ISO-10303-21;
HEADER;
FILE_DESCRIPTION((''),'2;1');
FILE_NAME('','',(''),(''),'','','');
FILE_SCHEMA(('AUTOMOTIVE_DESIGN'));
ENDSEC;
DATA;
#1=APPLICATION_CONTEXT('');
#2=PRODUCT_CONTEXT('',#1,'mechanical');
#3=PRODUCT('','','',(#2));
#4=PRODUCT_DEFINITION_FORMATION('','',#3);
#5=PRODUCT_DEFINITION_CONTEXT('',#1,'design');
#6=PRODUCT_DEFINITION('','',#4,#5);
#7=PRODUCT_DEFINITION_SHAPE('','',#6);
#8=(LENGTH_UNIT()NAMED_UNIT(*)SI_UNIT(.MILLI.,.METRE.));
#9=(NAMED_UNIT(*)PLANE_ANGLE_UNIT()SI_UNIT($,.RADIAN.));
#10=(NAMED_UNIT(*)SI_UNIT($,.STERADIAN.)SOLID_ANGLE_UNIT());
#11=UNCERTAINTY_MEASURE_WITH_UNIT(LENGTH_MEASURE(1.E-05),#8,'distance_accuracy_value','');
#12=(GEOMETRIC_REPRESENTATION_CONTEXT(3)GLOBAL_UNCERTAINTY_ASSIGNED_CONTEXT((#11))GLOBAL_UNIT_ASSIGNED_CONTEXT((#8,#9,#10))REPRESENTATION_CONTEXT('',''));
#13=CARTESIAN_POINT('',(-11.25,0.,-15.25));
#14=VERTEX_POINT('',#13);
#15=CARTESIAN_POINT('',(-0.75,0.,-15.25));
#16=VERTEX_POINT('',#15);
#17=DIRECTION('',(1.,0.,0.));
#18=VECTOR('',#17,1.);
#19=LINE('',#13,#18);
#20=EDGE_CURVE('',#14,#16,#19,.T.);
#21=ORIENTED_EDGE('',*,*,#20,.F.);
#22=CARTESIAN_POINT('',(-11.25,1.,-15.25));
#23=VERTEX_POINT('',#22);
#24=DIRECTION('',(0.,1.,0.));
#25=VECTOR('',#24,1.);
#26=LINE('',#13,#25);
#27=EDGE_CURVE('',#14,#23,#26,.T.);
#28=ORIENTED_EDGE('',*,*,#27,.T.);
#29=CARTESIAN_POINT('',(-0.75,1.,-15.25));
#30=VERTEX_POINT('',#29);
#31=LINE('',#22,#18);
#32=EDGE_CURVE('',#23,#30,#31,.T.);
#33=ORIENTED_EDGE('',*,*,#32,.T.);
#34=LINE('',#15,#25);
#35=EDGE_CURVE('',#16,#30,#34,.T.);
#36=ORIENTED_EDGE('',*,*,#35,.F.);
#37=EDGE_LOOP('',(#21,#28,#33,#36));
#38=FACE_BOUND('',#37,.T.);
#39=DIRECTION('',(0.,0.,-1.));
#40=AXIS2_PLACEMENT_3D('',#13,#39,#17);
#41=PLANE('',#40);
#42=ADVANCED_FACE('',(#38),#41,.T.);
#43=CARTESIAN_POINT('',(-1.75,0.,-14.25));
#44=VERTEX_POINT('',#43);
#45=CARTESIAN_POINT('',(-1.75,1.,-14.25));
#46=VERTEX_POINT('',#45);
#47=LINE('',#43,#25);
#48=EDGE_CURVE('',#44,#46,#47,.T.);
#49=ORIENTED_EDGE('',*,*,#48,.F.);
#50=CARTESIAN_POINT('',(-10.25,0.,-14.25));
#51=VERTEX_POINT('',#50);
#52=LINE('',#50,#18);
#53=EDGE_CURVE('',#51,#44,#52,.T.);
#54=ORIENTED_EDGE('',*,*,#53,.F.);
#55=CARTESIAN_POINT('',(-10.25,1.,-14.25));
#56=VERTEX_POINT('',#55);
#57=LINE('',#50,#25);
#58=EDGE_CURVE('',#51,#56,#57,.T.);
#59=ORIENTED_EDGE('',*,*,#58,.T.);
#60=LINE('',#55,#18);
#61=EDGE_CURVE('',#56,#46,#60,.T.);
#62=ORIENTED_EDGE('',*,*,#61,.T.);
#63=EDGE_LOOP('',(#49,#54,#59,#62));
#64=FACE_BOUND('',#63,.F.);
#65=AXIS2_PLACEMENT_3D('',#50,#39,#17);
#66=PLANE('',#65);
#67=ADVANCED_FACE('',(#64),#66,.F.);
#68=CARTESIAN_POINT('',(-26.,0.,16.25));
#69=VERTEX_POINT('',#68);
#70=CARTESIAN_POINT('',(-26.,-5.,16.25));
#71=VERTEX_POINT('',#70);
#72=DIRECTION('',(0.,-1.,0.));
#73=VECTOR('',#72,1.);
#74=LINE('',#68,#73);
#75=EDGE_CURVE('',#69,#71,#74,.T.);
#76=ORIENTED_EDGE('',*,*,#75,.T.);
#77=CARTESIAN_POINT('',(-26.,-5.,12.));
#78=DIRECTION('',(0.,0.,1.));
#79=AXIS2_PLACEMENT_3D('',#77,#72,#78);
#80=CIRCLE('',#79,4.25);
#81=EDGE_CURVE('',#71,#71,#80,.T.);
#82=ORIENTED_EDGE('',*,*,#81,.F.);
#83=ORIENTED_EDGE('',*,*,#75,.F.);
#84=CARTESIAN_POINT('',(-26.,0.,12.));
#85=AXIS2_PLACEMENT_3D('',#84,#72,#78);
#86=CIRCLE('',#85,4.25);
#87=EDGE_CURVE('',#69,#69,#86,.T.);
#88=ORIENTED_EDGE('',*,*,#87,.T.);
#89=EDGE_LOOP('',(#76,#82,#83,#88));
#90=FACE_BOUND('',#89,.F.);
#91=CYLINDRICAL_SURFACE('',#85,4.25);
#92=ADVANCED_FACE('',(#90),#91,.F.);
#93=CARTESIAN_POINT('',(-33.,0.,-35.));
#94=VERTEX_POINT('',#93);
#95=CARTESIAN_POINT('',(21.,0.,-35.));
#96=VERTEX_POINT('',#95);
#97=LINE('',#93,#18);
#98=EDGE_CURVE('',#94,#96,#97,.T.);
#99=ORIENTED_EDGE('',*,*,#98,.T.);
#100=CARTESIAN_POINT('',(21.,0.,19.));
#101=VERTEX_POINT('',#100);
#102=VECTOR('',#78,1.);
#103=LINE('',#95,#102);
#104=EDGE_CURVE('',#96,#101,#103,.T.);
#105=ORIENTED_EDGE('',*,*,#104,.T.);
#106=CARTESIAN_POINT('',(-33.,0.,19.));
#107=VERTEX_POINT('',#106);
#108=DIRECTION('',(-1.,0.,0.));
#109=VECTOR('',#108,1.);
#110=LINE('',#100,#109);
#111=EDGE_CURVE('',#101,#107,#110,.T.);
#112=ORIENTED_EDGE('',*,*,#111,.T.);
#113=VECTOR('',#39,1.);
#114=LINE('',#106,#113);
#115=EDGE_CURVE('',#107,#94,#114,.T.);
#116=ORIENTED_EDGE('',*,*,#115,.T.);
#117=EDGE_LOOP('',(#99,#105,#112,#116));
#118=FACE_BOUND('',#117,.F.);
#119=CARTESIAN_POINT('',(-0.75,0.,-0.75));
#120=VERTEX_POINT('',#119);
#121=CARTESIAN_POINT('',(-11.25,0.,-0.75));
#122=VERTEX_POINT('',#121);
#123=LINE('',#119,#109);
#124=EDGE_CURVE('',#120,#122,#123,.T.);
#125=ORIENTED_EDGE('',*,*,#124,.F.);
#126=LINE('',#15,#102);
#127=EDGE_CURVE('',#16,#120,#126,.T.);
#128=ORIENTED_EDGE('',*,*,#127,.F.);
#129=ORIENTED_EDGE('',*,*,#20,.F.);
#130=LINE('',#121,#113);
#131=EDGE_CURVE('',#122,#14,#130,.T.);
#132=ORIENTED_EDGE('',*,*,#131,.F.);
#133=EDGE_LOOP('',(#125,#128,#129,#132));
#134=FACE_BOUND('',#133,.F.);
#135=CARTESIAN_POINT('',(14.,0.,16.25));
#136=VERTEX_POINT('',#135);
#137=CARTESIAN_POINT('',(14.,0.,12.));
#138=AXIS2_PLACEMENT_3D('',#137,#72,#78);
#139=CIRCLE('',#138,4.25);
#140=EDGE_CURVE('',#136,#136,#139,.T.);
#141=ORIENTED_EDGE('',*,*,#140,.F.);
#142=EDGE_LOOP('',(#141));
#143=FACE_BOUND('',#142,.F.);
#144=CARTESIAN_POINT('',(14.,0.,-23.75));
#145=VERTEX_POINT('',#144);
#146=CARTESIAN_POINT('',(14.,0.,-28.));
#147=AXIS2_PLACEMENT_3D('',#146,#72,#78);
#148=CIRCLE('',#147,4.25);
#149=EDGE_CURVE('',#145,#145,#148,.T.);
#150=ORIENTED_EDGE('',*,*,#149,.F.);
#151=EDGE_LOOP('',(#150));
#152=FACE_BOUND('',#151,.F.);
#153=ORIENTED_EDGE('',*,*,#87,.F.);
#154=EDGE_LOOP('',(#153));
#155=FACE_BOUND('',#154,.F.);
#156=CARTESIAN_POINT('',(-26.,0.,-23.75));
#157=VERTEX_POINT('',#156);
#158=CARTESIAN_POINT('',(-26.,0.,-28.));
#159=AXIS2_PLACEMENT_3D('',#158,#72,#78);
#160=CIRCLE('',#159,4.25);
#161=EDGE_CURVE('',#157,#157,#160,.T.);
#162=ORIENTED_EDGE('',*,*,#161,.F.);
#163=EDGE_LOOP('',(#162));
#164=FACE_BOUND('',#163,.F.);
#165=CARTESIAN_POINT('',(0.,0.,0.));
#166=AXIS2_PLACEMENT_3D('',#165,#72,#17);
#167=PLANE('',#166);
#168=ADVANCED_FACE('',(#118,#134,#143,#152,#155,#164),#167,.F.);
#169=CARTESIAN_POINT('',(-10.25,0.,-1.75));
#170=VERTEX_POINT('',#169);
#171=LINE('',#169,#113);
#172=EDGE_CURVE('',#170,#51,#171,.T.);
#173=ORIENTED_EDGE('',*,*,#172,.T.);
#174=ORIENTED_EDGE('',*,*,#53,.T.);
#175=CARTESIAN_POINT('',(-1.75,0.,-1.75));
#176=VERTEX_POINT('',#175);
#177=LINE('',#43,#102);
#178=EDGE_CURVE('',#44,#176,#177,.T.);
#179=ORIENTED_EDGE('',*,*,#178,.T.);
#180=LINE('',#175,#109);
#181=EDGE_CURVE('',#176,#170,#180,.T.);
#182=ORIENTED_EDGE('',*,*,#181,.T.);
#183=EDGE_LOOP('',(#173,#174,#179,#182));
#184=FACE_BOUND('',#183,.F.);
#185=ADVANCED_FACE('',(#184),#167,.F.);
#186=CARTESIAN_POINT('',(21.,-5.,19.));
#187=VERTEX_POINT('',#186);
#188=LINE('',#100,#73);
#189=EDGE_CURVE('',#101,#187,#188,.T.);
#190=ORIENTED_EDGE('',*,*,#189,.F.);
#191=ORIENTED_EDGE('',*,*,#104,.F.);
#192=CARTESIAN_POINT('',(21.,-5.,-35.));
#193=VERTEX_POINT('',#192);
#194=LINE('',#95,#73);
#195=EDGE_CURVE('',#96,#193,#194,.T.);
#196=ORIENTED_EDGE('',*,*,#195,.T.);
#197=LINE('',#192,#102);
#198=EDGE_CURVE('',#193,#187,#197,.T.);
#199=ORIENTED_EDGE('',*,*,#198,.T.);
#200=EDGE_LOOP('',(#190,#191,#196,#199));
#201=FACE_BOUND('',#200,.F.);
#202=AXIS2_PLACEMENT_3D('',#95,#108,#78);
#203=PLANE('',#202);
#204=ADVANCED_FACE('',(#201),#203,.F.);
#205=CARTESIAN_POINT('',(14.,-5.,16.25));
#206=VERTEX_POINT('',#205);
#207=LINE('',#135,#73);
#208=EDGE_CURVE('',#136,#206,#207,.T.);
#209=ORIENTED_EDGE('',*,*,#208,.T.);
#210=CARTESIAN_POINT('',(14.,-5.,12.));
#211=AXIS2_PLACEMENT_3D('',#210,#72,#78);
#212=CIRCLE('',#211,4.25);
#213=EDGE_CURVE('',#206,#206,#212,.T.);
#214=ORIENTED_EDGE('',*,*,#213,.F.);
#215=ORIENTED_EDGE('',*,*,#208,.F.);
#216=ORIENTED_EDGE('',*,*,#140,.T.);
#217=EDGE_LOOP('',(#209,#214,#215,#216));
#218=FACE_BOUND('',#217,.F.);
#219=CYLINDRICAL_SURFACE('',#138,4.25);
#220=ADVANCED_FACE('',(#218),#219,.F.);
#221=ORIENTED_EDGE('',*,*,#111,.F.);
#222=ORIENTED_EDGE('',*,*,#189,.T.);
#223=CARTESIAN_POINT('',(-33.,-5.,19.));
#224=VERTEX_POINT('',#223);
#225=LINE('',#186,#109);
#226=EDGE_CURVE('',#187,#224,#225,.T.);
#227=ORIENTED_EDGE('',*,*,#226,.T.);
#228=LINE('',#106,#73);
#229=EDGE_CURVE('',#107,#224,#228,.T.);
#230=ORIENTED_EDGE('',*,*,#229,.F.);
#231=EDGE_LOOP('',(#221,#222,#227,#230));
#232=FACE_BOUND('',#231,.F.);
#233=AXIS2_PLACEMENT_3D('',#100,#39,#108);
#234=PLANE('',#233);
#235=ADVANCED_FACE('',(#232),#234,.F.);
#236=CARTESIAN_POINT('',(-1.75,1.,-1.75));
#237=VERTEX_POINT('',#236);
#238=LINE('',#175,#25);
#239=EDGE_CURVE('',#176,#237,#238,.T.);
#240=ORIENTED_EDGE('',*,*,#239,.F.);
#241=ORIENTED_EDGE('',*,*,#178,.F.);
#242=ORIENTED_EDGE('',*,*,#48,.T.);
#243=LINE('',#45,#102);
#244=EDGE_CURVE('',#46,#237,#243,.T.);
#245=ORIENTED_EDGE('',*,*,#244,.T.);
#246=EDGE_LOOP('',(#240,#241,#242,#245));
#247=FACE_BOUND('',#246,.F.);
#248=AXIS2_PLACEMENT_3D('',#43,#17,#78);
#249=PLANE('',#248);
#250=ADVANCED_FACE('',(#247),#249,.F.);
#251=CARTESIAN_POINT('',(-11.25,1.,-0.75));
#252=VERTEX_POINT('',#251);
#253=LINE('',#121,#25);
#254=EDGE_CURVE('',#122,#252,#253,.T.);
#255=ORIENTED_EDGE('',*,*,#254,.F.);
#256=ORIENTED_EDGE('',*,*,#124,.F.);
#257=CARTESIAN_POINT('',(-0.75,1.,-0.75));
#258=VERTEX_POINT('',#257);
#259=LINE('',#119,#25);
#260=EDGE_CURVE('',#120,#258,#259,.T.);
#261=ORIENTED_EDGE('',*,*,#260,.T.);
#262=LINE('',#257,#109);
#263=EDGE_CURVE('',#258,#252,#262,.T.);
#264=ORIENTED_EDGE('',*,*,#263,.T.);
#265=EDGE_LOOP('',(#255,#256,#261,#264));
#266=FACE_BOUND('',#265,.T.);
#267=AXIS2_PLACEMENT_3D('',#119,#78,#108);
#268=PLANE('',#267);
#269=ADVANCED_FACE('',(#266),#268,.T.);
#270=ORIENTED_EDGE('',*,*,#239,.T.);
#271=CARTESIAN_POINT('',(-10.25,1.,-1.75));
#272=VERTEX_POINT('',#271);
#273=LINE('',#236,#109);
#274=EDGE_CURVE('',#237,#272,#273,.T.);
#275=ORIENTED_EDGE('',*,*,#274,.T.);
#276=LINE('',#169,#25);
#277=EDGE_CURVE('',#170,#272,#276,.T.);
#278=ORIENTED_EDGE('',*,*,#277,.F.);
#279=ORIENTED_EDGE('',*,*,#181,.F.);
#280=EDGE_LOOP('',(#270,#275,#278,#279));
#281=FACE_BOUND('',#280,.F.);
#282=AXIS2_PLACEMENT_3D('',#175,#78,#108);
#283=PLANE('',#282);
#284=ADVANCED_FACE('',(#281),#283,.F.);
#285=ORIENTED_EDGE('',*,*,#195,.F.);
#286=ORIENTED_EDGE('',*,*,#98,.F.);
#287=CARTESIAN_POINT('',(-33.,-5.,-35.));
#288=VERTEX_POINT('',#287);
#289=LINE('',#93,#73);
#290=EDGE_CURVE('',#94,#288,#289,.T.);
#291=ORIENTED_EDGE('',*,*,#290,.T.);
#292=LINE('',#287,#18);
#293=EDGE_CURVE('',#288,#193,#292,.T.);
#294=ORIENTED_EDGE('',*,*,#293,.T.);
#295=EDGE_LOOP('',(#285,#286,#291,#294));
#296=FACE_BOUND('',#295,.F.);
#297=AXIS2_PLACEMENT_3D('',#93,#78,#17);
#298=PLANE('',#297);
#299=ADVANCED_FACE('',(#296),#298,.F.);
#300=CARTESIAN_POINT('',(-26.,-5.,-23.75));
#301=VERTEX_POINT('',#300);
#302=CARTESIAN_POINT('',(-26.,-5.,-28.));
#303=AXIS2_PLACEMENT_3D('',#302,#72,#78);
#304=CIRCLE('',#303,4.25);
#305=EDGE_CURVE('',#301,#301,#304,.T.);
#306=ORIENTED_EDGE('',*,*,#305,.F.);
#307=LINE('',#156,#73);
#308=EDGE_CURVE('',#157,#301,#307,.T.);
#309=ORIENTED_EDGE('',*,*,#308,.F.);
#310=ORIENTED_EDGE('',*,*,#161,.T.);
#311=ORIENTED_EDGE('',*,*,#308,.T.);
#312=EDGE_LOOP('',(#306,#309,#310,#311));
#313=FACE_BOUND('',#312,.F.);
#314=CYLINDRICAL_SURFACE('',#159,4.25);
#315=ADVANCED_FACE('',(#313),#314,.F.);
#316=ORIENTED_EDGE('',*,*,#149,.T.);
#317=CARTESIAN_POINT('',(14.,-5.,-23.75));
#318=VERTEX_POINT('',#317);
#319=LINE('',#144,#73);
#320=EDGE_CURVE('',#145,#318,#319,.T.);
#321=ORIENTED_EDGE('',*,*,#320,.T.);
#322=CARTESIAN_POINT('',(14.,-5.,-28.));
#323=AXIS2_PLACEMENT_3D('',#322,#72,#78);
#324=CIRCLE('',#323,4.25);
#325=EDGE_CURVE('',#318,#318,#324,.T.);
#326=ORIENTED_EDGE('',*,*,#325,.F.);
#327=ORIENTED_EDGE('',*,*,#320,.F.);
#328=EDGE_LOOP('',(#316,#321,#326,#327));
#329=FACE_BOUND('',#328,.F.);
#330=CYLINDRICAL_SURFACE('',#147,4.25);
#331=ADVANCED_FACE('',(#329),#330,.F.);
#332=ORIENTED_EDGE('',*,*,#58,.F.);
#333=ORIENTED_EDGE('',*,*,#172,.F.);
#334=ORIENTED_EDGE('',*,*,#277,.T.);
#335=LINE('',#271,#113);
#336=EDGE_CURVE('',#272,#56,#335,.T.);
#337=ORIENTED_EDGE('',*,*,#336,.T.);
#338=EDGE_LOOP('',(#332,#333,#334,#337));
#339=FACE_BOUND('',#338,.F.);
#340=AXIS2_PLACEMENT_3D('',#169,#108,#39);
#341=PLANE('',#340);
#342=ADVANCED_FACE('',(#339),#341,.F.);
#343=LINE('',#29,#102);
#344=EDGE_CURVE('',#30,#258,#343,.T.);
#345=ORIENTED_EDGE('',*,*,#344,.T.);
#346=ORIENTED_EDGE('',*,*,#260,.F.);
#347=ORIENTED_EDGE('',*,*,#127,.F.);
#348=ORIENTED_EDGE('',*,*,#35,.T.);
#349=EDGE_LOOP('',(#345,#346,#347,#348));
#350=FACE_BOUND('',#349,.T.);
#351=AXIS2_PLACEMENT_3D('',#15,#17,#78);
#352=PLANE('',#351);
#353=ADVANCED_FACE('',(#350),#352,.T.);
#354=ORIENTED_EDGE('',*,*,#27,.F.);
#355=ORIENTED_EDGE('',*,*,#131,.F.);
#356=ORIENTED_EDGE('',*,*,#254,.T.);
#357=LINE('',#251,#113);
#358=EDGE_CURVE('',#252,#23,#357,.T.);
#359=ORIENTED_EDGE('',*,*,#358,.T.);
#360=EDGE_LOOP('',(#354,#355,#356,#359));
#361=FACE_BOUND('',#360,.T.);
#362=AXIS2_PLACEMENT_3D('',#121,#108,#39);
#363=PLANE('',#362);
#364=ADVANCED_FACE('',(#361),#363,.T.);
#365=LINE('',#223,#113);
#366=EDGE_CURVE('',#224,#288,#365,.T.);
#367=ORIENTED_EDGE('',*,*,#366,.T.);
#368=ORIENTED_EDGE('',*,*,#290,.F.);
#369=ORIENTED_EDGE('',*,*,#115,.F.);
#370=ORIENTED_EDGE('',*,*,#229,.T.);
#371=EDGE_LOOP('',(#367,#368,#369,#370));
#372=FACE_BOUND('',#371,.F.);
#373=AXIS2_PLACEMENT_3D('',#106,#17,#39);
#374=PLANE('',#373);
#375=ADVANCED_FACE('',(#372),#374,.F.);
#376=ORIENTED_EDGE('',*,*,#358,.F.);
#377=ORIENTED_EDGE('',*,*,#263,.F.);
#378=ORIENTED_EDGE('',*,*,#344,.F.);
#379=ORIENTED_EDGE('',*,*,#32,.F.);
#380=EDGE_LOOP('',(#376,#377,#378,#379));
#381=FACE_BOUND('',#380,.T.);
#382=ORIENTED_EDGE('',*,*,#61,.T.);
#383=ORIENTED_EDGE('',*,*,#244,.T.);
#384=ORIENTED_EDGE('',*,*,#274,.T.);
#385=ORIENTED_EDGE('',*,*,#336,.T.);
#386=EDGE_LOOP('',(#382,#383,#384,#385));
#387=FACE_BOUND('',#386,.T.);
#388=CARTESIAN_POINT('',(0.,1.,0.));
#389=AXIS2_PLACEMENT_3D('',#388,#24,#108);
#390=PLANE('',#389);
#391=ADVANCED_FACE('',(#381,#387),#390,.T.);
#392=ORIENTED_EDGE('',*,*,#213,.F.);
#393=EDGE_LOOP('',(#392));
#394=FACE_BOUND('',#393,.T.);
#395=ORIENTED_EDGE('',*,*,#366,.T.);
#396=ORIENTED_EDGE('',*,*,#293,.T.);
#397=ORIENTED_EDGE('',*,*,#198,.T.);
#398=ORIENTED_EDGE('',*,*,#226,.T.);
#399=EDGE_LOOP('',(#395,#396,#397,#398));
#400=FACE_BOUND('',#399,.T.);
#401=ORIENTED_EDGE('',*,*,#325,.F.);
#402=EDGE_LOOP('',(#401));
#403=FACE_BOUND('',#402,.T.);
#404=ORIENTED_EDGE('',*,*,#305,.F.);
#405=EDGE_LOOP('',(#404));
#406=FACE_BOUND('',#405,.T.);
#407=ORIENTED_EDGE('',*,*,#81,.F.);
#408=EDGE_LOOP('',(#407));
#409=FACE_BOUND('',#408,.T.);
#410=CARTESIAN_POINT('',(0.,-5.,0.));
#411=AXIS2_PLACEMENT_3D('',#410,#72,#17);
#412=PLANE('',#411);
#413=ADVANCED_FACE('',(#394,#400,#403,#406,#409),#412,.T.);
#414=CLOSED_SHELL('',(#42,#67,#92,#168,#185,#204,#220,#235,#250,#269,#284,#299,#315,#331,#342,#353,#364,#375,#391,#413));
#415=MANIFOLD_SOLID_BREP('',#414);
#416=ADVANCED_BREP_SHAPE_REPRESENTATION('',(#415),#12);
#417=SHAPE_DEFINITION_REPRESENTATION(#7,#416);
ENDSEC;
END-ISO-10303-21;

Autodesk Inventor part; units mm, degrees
ref_plane "YZ Plane" through (0, 0, 0) normal (1, 0, 0) x (0, 1, 0)
ref_plane "XZ Plane" through (0, 0, 0) normal (0, 1, 0) x (-1, 0, 0)
ref_plane "XY Plane" through (0, 0, 0) normal (0, 0, 1) x (1, 0, 0)
sketch "Skizze1" plane through (0, 0, 0) normal (0, 1, 0) x (-1, 0, 0)
  line L0 (0, 0) -> (12, 0)
  line L1 (12, 0) -> (12, -16)
  line L2 (12, -16) -> (0, -16)
  line L3 (0, -16) -> (0, 0)
  line L4 (-5, 5) -> (17, 5)
  line L5 (17, 5) -> (17, -21)
  line L6 (17, -21) -> (-5, -21)
  line L7 (-5, -21) -> (-5, 5)
  line L8 (-1, 1) -> (13, 1)
  line L9 (13, 1) -> (13, -17)
  line L10 (13, -17) -> (-1, -17)
  line L11 (-1, -17) -> (-1, 1)
  line L12 (1.75, -1.75) -> (10.25, -1.75)
  line L13 (10.25, -1.75) -> (10.25, -14.25)
  line L14 (10.25, -14.25) -> (1.75, -14.25)
  line L15 (1.75, -14.25) -> (1.75, -1.75)
  line L16 (0.75, -0.75) -> (11.25, -0.75)
  line L17 (11.25, -0.75) -> (11.25, -15.25)
  line L18 (11.25, -15.25) -> (0.75, -15.25)
  line L19 (0.75, -15.25) -> (0.75, -0.75)
  point P0 (6, 0)
  point P1 (6, 5)
  point P2 (6, -16)
  point P3 (12, -8)
  point P4 (6, -1.75)
  point P5 (6, -14.25)
  point P6 (10.25, -8)
  point P7 (1.75, -8)
  dimension "d0" = 16
  dimension "d1" = 12
  dimension "d2" = 5
  dimension "d3" = 5
  dimension "d5" = 5
  dimension "d6" = 5
  dimension "d56" = 1
  dimension "d57" = 1
  dimension "d58" = 1
  dimension "d60" = 1.75
  dimension "d61" = 1.75
  dimension "d63" = 8.5
  dimension "d64" = 1
  dimension "d65" = 1
  dimension "d67" = 1
  dimension "d69" = 12.5
  dimension "d70" = 1
  dimension "d71" = 1.75
  dimension "d72" = 1.75
extrude "Extrusion1" add sketch "Skizze1" along normal blind 1 contours L16 L17 L18 L19
sketch "Skizze2" plane through (0, 0, 0) normal (0, -1, 0) x (1, 0, 0)
  line L0 (21, 19) -> (-33, 19)
  line L1 (-33, 19) -> (-33, -35)
  line L2 (-33, -35) -> (21, -35)
  line L3 (21, -35) -> (21, 19)
  line L4 (-17, -21) -> (-17, 5) projected
  line L5 (5, -21) -> (-17, -21) projected
  line L6 (5, 5) -> (5, -21) projected
  line L7 (-17, 5) -> (5, 5) projected
  point P0 (0, 0)
  dimension "d11" = 16
  dimension "d12" = 14
  dimension "d13" = 16
  dimension "d14" = 14
  dimension "d35" = 54
  dimension "d36" = 54
extrude "Extrusion2" add sketch "Skizze2" along normal blind 5 contours L3 L2 L1 L0 | L4 L7 L6 L5
sketch "Skizze4" plane through (0, 0, 0) normal (0, 1, 0) x (1, 0, 0)
  line L0 (21, 35) -> (21, -19) projected
  line L1 (-33, 35) -> (21, 35) projected
  line L2 (21, -19) -> (-33, -19) projected
  line L3 (-33, -19) -> (-33, 35) projected
  point P0 (0, 0)
  point P1 (14, 28)
  point P2 (14, -12)
  point P3 (-26, -12)
  point P4 (-26, 28)
  dimension "d44" = 7
  dimension "d45" = 7
  dimension "d46" = 7
  dimension "d47" = 7
  dimension "d48" = 7
  dimension "d49" = 7
  dimension "d50" = 7
  dimension "d51" = 7
  dimension "d52" = 40
  dimension "d53" = 40
  dimension "d54" = 40
  dimension "d55" = 40
hole "Bohrung1" at (14, 0, -28) at (14, 0, 12) at (-26, 0, 12) at (-26, 0, -28) direction (0, -1, 0) diameter 8.5 depth 5
properties part number "Magazin_1_3D-Druck"
